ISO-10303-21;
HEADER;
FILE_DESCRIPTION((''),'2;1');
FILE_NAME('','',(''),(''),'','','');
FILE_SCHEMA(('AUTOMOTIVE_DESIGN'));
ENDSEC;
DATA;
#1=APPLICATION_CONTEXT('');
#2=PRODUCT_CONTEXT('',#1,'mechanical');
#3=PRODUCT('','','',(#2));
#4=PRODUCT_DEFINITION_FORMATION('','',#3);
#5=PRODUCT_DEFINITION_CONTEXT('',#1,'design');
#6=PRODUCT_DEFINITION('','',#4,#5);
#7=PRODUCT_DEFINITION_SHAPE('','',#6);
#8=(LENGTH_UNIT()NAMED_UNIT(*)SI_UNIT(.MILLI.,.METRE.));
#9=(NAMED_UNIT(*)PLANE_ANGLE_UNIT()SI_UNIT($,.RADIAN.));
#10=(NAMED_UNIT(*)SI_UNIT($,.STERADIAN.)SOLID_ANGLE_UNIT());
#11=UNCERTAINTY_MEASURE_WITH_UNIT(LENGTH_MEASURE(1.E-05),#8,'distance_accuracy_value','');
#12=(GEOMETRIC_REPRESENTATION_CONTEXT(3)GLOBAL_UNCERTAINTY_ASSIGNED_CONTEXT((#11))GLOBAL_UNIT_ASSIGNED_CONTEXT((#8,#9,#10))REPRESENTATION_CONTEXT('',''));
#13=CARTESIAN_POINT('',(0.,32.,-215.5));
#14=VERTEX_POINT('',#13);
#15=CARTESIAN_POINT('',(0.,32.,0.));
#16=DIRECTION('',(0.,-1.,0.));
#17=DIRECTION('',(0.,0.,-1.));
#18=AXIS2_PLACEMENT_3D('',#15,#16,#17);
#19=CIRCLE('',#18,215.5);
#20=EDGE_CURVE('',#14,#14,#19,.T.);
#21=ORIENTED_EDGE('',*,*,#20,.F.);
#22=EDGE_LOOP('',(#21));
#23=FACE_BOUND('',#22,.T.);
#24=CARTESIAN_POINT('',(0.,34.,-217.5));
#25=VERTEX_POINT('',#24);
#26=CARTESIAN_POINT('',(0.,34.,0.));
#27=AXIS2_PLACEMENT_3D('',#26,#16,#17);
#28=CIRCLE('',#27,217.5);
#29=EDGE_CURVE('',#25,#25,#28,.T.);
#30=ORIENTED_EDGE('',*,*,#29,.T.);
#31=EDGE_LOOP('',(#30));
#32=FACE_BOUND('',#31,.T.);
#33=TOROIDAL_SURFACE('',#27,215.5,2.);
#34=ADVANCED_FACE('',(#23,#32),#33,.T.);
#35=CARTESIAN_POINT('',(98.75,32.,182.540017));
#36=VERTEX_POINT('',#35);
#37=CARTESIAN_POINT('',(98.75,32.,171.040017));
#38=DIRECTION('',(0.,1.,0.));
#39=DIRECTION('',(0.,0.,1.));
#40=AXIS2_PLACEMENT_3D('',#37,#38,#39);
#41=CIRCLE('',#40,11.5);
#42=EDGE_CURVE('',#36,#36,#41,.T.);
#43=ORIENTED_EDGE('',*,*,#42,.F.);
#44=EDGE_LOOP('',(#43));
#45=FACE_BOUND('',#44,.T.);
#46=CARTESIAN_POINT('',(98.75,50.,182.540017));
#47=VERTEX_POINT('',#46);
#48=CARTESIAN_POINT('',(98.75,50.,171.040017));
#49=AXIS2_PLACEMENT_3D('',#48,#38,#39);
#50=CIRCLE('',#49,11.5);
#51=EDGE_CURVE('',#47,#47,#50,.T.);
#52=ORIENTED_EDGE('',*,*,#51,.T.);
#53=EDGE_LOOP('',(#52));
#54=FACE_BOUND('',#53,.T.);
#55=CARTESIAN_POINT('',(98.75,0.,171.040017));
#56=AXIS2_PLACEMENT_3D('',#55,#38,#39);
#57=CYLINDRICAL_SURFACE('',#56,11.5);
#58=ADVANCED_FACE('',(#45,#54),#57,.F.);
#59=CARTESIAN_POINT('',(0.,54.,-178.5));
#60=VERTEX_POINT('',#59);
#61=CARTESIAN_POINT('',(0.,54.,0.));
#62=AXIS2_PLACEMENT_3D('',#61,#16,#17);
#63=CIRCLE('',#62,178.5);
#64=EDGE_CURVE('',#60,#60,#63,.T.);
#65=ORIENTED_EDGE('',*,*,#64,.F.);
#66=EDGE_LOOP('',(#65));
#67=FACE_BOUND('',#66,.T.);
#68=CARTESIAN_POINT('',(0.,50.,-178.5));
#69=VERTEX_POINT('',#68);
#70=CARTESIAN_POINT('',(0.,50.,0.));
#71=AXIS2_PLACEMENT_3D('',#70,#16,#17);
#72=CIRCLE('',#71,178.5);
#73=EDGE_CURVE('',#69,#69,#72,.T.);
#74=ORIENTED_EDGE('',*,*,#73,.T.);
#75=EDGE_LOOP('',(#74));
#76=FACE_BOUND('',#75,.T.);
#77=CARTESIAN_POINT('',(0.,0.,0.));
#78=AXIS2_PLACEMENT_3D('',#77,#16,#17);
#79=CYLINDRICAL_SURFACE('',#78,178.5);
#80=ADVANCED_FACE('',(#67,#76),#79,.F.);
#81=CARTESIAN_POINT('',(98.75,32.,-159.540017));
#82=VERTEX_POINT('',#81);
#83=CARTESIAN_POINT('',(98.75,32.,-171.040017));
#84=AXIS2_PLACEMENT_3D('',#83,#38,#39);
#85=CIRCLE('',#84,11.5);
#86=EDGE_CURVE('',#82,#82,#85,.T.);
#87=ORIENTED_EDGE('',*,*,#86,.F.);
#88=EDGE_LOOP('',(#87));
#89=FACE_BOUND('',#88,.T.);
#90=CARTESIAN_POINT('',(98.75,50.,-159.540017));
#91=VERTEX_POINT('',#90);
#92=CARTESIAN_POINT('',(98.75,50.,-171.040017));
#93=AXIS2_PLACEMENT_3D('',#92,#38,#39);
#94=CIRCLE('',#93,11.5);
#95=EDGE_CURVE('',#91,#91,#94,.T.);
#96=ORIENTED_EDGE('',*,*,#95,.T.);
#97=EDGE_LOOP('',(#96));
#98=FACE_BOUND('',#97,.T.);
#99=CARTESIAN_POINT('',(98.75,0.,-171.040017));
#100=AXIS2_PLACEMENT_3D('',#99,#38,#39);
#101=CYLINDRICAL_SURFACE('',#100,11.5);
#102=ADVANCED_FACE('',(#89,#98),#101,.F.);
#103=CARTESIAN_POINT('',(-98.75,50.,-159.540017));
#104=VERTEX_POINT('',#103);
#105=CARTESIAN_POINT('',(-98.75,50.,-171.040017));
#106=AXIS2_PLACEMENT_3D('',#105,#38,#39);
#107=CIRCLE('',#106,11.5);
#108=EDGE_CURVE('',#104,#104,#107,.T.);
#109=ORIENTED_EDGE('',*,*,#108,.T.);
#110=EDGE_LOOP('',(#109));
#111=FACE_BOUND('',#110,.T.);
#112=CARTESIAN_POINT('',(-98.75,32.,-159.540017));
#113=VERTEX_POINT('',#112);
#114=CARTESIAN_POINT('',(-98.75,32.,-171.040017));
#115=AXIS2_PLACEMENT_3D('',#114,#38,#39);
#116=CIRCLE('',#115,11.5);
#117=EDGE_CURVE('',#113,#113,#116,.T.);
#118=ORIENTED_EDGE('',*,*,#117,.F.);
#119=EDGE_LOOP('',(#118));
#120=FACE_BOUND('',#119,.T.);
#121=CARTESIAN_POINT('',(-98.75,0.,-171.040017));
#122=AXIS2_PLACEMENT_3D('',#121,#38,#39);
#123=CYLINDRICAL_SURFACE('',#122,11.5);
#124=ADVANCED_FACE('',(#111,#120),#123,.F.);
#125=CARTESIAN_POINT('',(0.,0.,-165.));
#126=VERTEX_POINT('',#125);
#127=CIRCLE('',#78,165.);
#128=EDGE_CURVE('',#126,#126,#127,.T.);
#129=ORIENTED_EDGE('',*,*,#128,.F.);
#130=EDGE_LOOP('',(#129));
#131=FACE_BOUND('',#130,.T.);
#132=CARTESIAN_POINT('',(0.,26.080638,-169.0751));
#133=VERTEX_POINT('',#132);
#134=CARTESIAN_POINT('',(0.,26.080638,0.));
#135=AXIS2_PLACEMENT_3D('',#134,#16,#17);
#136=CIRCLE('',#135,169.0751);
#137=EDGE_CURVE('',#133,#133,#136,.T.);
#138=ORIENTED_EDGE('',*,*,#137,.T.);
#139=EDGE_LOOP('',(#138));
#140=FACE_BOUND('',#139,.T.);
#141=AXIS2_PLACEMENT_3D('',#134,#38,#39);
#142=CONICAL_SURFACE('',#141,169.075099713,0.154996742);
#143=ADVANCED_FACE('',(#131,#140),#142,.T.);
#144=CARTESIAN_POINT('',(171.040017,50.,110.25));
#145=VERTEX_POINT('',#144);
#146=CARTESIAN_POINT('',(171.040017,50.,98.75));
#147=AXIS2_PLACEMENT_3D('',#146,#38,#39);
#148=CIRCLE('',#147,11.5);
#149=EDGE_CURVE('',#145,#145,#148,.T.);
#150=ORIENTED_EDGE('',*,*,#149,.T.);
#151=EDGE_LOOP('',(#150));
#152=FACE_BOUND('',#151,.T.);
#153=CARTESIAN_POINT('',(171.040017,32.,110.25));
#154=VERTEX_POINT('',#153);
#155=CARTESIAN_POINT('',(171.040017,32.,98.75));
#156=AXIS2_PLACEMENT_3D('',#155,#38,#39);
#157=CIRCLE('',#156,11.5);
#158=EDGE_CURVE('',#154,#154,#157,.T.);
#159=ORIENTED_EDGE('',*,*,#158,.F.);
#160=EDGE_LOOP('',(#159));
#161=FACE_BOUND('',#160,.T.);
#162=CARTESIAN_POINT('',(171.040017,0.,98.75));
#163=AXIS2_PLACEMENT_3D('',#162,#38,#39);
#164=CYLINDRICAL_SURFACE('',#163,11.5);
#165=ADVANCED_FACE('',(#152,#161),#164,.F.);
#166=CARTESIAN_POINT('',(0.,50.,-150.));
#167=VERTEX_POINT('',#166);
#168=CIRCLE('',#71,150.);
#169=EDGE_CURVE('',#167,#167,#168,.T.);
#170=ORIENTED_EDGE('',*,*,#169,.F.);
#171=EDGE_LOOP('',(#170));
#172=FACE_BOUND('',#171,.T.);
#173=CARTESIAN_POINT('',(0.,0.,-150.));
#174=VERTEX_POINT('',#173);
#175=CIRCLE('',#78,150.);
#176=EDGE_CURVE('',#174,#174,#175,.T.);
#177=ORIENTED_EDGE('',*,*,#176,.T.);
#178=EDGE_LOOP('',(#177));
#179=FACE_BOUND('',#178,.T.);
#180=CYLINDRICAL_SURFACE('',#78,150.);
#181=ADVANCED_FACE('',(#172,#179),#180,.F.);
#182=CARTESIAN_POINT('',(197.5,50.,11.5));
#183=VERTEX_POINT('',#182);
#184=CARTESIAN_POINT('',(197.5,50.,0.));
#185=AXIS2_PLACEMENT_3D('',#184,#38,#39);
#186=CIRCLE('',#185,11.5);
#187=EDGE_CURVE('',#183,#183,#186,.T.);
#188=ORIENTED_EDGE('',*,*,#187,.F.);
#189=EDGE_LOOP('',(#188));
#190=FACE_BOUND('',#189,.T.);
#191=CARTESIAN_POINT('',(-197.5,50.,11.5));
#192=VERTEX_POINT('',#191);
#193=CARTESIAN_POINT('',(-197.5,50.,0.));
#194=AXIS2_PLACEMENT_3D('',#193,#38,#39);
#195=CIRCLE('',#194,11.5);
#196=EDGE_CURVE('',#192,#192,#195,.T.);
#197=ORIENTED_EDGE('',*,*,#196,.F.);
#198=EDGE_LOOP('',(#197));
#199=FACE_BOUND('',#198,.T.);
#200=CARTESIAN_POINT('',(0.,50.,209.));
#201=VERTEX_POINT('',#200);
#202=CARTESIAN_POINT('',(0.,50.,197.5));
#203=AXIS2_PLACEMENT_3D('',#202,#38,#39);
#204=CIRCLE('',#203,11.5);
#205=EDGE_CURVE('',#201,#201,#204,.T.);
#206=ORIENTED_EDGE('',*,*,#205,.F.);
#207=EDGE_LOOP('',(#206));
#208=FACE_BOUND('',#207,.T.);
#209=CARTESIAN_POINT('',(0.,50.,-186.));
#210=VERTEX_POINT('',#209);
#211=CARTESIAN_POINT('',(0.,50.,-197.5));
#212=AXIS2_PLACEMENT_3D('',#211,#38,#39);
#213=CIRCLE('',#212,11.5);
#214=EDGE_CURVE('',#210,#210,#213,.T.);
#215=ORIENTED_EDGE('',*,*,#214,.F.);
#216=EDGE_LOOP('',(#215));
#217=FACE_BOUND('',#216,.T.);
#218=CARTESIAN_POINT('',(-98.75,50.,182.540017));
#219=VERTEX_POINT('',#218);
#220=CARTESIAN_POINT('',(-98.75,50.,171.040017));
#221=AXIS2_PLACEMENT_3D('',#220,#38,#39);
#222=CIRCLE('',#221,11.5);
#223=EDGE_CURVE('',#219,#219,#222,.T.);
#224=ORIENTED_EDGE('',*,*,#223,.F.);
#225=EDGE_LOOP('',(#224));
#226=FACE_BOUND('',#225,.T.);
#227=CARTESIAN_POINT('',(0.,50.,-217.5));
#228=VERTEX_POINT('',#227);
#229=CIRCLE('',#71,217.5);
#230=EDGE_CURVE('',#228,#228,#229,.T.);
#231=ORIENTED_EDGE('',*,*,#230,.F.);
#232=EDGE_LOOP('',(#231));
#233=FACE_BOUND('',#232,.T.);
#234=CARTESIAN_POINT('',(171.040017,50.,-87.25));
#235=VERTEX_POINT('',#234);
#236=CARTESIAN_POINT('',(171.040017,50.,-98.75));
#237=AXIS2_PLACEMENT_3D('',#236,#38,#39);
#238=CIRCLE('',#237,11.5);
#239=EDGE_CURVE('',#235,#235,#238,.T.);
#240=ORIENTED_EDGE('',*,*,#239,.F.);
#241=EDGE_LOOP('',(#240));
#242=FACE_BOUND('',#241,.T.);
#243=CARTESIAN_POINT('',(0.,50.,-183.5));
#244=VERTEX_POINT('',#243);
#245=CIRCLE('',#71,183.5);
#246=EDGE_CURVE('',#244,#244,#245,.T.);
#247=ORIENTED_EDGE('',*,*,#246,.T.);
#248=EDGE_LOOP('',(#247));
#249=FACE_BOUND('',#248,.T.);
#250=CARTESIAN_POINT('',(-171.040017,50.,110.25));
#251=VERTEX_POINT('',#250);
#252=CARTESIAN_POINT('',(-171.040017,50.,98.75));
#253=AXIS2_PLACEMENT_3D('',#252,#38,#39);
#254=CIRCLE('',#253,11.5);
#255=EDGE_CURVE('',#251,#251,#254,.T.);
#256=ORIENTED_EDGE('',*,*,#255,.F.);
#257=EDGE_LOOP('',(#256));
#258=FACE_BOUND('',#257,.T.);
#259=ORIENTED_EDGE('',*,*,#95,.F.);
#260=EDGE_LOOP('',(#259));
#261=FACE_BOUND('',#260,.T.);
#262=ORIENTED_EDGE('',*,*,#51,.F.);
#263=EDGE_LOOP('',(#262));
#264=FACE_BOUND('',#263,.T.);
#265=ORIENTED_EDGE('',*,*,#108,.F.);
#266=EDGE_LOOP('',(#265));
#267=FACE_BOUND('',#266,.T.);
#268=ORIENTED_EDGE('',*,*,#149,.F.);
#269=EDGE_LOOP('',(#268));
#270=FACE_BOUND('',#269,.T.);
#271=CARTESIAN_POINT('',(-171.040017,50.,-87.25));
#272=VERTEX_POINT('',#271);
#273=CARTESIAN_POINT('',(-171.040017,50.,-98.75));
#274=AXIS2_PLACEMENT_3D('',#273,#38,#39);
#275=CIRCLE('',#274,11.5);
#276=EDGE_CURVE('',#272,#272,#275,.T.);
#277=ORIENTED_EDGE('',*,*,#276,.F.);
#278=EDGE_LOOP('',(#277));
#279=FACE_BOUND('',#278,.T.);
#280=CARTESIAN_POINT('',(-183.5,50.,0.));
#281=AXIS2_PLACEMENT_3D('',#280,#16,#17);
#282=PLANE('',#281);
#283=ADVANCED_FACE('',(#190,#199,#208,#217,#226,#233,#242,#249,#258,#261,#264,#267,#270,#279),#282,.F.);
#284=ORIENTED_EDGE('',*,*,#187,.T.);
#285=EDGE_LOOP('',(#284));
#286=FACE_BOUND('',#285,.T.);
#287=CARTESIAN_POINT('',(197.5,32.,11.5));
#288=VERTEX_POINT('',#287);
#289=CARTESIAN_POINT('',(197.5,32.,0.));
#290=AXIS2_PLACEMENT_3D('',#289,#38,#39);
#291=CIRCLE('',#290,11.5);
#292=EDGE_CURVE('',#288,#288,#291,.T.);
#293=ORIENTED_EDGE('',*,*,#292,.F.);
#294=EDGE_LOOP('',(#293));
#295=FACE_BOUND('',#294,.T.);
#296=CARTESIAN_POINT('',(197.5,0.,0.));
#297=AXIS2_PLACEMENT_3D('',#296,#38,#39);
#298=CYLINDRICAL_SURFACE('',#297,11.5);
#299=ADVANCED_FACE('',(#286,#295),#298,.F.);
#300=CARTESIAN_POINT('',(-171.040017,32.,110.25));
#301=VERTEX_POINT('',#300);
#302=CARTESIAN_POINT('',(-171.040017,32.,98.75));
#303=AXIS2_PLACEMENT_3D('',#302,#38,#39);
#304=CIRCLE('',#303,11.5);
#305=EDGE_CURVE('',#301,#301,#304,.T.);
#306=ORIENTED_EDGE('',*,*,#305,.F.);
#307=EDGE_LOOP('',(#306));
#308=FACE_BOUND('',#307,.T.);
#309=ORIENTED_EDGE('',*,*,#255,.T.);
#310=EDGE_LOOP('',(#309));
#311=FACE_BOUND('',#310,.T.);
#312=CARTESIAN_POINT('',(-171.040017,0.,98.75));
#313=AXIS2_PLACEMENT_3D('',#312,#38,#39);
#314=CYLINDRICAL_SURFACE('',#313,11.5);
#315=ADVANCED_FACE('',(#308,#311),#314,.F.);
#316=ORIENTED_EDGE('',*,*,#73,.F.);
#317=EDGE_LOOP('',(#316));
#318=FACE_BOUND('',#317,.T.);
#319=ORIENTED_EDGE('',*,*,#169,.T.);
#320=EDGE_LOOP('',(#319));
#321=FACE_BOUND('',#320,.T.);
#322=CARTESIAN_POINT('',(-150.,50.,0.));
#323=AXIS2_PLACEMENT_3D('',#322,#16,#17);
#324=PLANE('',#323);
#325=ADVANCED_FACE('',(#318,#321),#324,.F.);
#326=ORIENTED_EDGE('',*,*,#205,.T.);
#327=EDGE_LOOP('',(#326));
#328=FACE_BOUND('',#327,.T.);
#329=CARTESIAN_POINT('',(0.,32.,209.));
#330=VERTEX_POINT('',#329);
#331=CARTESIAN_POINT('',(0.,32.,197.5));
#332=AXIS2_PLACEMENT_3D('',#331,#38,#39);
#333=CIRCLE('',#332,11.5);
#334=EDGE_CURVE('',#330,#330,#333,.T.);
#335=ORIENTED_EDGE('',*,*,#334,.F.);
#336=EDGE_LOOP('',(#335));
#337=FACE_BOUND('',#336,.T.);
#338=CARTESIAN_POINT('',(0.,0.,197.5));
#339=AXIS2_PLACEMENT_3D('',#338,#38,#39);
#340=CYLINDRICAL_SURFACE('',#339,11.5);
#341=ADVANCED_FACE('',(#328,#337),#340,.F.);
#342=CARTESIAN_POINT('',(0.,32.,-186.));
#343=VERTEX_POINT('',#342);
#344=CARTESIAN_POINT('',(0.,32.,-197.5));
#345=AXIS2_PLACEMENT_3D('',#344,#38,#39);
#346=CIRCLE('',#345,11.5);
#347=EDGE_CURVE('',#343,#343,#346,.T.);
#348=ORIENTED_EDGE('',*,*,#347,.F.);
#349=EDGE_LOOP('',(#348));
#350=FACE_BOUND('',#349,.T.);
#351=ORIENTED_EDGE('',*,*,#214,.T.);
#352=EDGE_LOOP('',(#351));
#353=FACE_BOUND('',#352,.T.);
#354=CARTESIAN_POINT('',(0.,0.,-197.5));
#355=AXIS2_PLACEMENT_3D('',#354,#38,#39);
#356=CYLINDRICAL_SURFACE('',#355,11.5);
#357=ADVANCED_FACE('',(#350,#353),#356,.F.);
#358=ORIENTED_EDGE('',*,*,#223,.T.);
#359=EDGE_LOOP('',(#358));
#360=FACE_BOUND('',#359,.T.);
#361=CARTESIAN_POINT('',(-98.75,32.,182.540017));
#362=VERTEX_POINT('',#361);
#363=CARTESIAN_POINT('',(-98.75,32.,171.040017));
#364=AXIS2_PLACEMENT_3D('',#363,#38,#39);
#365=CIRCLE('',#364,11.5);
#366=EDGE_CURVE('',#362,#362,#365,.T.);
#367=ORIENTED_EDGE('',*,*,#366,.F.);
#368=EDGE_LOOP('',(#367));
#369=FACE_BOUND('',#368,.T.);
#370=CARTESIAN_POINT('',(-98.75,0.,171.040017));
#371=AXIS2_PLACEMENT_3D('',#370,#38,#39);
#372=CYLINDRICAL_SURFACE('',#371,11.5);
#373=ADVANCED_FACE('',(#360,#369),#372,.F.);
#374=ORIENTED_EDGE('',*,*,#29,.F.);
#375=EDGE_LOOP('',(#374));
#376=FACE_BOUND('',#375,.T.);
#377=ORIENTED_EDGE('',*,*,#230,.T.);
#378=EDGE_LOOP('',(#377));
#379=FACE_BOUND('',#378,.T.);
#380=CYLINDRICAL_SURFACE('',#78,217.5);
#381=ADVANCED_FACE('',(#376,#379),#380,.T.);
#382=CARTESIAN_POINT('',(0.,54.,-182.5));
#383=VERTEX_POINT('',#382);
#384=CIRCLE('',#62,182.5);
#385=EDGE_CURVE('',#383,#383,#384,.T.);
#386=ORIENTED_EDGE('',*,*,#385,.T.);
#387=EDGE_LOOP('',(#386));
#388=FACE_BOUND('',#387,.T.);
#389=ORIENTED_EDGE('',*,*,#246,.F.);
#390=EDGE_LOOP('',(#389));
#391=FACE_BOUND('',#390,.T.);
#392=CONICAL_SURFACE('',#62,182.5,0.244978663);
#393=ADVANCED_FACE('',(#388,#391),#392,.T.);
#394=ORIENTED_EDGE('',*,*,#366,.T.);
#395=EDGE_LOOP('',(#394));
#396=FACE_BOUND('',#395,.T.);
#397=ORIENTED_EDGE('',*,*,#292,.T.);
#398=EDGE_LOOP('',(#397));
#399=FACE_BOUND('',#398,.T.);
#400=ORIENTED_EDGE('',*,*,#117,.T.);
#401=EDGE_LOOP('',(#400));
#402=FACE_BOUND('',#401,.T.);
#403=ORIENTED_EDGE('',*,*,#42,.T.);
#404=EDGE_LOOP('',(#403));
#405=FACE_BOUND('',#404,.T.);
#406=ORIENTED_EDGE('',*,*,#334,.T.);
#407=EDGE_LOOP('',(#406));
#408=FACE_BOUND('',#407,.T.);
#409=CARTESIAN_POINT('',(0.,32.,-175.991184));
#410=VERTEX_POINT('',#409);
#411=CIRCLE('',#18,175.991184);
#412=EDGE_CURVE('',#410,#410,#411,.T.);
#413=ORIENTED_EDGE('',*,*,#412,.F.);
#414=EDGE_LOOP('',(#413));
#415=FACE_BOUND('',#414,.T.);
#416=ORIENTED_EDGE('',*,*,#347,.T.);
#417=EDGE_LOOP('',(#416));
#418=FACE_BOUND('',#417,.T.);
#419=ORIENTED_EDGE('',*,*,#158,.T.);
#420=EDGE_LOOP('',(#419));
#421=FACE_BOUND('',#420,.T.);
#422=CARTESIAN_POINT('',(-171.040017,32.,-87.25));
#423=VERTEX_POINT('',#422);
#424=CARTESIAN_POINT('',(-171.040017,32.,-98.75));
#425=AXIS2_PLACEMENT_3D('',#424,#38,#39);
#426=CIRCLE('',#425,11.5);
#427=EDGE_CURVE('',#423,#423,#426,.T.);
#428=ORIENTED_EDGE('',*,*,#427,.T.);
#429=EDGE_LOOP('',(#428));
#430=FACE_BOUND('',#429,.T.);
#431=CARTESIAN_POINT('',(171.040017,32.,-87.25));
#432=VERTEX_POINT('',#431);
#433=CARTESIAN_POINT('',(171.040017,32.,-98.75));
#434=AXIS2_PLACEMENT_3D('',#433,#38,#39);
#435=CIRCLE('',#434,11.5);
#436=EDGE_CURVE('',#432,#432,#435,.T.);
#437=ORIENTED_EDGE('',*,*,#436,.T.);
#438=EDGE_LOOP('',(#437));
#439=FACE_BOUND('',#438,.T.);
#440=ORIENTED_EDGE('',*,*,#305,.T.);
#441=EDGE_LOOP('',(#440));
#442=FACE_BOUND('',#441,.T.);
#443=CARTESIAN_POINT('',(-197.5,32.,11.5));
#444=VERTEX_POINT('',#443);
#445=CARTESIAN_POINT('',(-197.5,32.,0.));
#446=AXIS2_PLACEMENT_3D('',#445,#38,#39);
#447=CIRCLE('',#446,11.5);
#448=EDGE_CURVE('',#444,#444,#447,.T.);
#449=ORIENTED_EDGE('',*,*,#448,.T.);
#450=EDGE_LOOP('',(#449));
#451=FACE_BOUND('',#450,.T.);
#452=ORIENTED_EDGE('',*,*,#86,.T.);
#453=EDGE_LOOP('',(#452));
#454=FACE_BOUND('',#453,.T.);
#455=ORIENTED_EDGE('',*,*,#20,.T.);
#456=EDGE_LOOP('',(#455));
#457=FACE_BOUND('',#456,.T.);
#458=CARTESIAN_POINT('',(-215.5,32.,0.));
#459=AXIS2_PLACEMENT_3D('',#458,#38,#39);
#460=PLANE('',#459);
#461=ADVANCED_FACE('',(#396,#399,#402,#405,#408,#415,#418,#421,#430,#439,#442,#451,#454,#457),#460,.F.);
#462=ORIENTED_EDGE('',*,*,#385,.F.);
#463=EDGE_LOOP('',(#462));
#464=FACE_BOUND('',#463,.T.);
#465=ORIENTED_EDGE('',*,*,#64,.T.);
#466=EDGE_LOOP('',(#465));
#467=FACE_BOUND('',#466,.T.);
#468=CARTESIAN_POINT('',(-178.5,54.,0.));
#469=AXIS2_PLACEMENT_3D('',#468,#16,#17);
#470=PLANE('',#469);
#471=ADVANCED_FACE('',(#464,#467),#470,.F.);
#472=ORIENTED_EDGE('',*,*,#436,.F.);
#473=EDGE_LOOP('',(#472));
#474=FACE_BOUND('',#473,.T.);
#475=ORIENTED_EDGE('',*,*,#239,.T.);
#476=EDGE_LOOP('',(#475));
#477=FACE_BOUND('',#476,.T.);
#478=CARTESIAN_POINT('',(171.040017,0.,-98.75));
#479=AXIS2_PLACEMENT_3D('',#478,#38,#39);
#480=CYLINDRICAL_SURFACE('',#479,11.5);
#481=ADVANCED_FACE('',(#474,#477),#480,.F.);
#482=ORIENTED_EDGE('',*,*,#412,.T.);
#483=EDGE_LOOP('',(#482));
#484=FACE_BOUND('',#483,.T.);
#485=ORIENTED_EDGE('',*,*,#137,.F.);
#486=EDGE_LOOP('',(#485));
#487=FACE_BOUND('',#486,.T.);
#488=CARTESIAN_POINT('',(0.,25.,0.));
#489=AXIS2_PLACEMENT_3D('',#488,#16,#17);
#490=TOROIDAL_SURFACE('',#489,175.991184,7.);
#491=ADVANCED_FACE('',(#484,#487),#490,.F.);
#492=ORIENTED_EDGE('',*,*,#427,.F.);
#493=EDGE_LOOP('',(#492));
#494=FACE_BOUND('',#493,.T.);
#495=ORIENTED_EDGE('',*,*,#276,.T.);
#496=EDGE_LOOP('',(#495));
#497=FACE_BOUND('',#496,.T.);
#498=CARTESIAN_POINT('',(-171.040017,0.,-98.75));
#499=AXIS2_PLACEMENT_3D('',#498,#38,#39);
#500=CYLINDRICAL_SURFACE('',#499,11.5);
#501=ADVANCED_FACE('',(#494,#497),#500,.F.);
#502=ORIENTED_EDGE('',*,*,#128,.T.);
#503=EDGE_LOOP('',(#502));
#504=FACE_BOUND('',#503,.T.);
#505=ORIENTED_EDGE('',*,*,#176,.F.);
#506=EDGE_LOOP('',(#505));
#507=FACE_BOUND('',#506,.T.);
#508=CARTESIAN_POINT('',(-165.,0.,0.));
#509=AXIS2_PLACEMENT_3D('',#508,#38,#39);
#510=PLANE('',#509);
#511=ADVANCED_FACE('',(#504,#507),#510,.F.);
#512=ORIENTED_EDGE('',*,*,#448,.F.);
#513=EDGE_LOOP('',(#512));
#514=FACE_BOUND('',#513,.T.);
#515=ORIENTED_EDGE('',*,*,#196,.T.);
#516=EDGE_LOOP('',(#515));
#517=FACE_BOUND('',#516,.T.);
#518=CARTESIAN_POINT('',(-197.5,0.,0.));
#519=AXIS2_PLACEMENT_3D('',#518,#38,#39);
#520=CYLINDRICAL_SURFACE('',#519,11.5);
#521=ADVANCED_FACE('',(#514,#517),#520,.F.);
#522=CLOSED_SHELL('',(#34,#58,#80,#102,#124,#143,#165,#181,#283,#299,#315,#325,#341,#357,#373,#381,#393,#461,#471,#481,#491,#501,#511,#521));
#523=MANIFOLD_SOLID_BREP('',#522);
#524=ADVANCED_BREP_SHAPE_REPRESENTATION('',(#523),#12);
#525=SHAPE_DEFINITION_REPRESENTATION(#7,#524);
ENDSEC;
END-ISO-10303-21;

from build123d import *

# Parameters (mm, degrees)
SKETCH_2_R          = 11.5
CUT_EXTRUDE_1_DEPTH = 312.628785577


with BuildPart() as part:
    # Эскиз1 → Повернуть1 (revolve)
    with BuildSketch(Plane.XY, mode=Mode.PRIVATE) as revolve_1_sk:
        with BuildLine():
            Line((-150, 0), (-150, 50))
            Line((-150, 50), (-178.5, 50))
            Line((-178.5, 50), (-178.5, 54))
            Line((-178.5, 54), (-182.5, 54))
            Line((-182.5, 54), (-183.5, 50))
            Line((-183.5, 50), (-217.5, 50))
            Line((-217.5, 50), (-217.5, 34))
            ThreePointArc((-217.5, 34), (-216.914213562, 32.585786438), (-215.5, 32))
            Line((-215.5, 32), (-175.991183949, 32))
            ThreePointArc((-175.991183949, 32), (-171.439506628, 30.318104321), (-169.075099713, 26.080638162))
            Line((-169.075099713, 26.080638162), (-165, 0))
            Line((-165, 0), (-150, 0))
        make_face()
    revolve(revolve_1_sk.sketch.rotate(Axis((0, 0, 0), (0, 1, 0)), 270), axis=Axis((0, 0, 0), (0, 1, 0)))

    # Эскиз2 → Вырез-Вытянуть1 (cut, through all)
    with BuildSketch(Plane(origin=(0, 50, 0), x_dir=(1, 0, 0), z_dir=(0, 1, 0))):
        with Locations(Location((-197.5, 0, 0), (0, 0, 270))):
            Circle(SKETCH_2_R)
        with Locations(Location((-171.040017247, 98.75, 0), (0, 0, 270))):
            Circle(SKETCH_2_R)
        with Locations(Location((-98.75, 171.040017247, 0), (0, 0, 270))):
            Circle(SKETCH_2_R)
        with Locations(Location((0, 197.5, 0), (0, 0, 270))):
            Circle(SKETCH_2_R)
        with Locations(Location((98.75, 171.040017247, 0), (0, 0, 270))):
            Circle(SKETCH_2_R)
        with Locations(Location((171.040017247, 98.75, 0), (0, 0, 270))):
            Circle(SKETCH_2_R)
        with Locations(Location((197.5, 0, 0), (0, 0, 270))):
            Circle(SKETCH_2_R)
        with Locations(Location((171.040017247, -98.75, 0), (0, 0, 270))):
            Circle(SKETCH_2_R)
        with Locations(Location((98.75, -171.040017247, 0), (0, 0, 270))):
            Circle(SKETCH_2_R)
        with Locations(Location((0, -197.5, 0), (0, 0, 270))):
            Circle(SKETCH_2_R)
        with Locations(Location((-98.75, -171.040017247, 0), (0, 0, 270))):
            Circle(SKETCH_2_R)
        with Locations(Location((-171.040017247, -98.75, 0), (0, 0, 270))):
            Circle(SKETCH_2_R)
    extrude(amount=-CUT_EXTRUDE_1_DEPTH, mode=Mode.SUBTRACT)


solid = part.part
